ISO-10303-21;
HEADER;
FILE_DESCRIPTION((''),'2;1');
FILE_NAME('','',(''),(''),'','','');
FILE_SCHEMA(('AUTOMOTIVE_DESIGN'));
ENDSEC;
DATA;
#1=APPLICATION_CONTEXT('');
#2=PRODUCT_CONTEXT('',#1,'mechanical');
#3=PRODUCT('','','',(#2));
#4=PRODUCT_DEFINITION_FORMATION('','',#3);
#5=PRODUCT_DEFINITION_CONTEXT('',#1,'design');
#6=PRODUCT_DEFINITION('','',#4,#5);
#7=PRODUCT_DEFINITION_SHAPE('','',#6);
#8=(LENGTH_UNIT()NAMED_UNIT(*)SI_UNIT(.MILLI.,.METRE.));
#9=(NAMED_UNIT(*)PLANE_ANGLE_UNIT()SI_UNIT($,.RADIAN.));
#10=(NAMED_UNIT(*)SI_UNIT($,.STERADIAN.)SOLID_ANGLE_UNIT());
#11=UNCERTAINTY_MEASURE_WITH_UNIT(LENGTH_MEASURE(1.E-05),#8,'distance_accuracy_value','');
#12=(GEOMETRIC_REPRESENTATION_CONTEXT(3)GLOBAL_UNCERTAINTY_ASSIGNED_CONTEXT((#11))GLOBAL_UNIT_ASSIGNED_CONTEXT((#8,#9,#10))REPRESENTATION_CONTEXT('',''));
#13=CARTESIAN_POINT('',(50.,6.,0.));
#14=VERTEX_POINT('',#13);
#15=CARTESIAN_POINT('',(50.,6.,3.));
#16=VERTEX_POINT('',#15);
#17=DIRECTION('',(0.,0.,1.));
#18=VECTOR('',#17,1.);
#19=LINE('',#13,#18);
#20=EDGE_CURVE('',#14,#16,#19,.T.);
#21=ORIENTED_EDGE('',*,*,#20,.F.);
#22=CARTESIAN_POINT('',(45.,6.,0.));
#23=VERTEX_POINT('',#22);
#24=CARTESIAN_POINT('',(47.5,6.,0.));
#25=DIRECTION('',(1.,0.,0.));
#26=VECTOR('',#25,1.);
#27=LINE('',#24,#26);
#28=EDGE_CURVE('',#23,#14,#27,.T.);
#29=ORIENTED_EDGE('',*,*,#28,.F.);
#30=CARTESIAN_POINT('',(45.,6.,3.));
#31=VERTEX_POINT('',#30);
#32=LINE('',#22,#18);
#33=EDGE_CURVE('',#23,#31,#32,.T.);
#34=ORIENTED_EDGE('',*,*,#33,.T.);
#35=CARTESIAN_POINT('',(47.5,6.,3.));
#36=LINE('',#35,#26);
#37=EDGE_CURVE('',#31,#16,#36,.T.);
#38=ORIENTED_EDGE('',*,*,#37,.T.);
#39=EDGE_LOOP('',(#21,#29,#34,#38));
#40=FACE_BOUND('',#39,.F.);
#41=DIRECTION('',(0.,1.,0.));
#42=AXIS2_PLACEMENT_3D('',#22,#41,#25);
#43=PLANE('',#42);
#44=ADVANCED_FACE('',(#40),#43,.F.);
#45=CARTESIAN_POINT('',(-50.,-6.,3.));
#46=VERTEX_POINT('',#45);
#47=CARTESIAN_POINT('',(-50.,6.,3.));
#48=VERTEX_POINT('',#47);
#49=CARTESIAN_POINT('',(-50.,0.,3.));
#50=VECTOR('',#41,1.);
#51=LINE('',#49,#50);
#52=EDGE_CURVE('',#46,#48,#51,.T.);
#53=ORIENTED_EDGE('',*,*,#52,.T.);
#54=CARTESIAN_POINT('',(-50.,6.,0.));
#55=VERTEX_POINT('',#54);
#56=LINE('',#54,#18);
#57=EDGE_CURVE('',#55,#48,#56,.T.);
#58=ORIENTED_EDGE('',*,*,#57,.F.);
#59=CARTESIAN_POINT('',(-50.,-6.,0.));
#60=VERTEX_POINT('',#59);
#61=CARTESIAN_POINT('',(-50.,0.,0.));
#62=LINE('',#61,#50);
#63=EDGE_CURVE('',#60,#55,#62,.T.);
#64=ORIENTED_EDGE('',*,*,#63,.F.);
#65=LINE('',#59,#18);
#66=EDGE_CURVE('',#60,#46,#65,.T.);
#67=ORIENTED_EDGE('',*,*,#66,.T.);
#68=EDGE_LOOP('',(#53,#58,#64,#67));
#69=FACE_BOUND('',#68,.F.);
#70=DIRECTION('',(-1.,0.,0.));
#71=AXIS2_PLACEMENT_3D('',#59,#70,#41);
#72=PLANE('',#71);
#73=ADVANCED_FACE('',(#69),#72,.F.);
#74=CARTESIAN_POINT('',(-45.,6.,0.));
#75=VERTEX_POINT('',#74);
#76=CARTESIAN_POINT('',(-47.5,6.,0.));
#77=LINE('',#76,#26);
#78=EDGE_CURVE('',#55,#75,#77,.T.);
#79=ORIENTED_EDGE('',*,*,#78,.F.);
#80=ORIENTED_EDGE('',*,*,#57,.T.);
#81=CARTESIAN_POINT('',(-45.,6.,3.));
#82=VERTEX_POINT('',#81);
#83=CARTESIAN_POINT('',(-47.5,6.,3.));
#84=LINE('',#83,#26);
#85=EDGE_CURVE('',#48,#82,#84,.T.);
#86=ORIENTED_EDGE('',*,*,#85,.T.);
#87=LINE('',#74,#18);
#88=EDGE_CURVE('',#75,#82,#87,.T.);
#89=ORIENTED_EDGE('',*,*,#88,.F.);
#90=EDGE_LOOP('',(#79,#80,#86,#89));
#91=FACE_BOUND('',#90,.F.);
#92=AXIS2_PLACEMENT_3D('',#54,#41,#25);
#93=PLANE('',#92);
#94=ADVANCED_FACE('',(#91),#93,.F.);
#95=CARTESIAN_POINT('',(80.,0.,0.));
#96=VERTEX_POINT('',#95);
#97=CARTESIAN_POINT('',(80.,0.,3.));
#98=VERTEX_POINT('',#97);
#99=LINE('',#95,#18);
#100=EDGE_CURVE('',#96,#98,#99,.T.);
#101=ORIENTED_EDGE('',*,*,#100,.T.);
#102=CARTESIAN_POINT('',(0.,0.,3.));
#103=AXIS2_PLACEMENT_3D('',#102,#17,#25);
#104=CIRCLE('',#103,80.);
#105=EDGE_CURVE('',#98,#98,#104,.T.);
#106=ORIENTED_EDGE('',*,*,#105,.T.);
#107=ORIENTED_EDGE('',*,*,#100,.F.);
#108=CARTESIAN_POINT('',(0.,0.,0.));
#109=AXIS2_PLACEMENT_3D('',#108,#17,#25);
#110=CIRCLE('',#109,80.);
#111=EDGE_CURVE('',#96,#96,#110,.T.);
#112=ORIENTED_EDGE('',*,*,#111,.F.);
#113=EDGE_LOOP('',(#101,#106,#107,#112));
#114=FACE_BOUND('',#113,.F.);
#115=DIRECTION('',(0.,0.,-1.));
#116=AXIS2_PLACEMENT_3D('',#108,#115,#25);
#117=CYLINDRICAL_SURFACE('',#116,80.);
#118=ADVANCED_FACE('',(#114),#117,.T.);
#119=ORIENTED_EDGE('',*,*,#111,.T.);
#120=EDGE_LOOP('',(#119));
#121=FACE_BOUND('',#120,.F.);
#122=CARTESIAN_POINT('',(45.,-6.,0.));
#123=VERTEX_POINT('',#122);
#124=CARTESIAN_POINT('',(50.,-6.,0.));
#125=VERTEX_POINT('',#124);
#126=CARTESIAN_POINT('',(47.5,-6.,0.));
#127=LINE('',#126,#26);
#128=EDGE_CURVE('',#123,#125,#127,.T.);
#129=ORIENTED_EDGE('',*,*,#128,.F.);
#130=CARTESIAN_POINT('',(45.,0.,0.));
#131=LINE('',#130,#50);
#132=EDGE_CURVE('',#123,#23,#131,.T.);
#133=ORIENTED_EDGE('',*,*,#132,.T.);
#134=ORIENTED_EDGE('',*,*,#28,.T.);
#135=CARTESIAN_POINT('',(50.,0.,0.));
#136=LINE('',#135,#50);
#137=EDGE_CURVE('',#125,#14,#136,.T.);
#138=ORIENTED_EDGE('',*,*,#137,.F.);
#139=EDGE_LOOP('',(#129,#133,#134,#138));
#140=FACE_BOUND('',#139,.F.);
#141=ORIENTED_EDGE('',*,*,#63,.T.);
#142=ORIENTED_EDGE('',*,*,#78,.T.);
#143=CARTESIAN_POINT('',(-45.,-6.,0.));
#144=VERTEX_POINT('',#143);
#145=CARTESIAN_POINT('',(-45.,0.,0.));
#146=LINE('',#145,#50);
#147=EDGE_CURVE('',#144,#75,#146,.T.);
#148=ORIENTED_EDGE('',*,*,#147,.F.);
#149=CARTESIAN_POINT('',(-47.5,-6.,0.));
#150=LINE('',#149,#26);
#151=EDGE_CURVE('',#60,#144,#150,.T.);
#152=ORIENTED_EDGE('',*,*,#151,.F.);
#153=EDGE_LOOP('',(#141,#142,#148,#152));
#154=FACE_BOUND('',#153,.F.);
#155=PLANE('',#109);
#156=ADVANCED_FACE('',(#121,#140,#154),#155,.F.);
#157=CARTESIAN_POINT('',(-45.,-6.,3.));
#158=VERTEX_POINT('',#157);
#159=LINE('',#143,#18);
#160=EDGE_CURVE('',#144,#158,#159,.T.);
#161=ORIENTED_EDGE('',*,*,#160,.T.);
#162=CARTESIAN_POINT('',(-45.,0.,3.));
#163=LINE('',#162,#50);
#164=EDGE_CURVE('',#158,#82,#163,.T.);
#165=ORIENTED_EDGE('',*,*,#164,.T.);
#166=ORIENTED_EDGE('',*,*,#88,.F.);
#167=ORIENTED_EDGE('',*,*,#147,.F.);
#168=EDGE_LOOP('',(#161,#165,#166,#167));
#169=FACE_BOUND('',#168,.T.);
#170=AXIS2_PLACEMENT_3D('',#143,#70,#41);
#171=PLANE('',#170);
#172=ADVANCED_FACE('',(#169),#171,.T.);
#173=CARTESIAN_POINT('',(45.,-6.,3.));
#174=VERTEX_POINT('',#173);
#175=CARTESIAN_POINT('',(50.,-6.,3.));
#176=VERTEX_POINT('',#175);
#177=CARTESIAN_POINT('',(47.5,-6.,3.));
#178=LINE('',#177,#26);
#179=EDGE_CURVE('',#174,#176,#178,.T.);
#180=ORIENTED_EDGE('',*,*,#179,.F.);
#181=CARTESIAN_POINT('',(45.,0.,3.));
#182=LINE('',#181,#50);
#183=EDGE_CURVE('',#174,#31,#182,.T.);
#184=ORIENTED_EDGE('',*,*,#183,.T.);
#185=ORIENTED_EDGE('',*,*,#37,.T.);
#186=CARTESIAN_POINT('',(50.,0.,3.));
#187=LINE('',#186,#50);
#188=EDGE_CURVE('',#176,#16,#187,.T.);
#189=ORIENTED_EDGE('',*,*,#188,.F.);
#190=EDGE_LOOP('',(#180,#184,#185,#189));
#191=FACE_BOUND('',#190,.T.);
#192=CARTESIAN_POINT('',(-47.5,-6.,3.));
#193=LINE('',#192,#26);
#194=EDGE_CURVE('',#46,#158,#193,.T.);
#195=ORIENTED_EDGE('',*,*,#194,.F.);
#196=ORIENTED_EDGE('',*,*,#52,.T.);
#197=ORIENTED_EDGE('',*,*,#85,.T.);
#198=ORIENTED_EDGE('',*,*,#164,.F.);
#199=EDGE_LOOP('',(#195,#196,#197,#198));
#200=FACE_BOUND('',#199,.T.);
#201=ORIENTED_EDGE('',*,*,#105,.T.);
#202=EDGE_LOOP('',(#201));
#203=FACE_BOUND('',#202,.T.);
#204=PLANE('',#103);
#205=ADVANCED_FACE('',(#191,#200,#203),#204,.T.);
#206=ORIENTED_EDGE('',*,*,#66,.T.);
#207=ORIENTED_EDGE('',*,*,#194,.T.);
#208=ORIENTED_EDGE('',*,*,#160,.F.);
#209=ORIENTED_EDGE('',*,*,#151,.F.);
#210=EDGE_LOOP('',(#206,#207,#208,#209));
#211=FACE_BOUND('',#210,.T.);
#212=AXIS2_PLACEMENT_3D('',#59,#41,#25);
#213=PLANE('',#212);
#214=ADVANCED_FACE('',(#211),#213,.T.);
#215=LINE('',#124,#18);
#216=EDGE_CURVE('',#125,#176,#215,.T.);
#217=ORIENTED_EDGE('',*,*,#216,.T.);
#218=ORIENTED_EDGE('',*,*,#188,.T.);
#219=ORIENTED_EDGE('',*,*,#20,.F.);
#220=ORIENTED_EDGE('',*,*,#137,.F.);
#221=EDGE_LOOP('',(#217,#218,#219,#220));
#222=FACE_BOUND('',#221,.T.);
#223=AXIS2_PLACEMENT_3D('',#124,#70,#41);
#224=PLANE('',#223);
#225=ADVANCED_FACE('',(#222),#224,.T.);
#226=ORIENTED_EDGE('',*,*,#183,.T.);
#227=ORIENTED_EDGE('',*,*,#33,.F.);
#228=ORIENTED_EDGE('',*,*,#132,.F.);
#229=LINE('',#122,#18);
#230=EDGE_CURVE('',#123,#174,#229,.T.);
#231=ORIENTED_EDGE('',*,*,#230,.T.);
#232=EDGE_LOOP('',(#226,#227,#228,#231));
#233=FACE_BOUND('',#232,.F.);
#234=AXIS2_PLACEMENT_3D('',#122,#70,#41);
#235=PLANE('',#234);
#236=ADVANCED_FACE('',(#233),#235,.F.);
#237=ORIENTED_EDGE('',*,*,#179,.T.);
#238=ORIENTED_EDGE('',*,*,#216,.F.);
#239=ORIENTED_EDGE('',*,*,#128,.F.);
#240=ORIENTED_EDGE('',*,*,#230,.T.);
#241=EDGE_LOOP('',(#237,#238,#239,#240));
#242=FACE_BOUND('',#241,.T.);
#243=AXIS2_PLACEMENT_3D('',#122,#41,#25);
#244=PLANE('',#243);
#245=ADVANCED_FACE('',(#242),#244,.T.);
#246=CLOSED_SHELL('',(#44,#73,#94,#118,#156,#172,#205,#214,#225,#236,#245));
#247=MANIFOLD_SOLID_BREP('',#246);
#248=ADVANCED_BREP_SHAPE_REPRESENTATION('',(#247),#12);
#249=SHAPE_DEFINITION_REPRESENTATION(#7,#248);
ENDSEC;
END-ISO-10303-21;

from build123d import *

# Parameters (mm, degrees)
SKETCH_R  = 80
SKETCH_W  = 5
SKETCH_H  = 12
PAD_DEPTH = 3


with BuildPart() as part:
    # Sketch → Pad (new body)
    with BuildSketch(Plane.XY):
        Circle(SKETCH_R)
        with Locations((-47.5, 0)):
            Rectangle(SKETCH_W, SKETCH_H, mode=Mode.SUBTRACT)
        with Locations((47.5, 0)):
            Rectangle(SKETCH_W, SKETCH_H, mode=Mode.SUBTRACT)
    extrude(amount=PAD_DEPTH)


solid = part.part
